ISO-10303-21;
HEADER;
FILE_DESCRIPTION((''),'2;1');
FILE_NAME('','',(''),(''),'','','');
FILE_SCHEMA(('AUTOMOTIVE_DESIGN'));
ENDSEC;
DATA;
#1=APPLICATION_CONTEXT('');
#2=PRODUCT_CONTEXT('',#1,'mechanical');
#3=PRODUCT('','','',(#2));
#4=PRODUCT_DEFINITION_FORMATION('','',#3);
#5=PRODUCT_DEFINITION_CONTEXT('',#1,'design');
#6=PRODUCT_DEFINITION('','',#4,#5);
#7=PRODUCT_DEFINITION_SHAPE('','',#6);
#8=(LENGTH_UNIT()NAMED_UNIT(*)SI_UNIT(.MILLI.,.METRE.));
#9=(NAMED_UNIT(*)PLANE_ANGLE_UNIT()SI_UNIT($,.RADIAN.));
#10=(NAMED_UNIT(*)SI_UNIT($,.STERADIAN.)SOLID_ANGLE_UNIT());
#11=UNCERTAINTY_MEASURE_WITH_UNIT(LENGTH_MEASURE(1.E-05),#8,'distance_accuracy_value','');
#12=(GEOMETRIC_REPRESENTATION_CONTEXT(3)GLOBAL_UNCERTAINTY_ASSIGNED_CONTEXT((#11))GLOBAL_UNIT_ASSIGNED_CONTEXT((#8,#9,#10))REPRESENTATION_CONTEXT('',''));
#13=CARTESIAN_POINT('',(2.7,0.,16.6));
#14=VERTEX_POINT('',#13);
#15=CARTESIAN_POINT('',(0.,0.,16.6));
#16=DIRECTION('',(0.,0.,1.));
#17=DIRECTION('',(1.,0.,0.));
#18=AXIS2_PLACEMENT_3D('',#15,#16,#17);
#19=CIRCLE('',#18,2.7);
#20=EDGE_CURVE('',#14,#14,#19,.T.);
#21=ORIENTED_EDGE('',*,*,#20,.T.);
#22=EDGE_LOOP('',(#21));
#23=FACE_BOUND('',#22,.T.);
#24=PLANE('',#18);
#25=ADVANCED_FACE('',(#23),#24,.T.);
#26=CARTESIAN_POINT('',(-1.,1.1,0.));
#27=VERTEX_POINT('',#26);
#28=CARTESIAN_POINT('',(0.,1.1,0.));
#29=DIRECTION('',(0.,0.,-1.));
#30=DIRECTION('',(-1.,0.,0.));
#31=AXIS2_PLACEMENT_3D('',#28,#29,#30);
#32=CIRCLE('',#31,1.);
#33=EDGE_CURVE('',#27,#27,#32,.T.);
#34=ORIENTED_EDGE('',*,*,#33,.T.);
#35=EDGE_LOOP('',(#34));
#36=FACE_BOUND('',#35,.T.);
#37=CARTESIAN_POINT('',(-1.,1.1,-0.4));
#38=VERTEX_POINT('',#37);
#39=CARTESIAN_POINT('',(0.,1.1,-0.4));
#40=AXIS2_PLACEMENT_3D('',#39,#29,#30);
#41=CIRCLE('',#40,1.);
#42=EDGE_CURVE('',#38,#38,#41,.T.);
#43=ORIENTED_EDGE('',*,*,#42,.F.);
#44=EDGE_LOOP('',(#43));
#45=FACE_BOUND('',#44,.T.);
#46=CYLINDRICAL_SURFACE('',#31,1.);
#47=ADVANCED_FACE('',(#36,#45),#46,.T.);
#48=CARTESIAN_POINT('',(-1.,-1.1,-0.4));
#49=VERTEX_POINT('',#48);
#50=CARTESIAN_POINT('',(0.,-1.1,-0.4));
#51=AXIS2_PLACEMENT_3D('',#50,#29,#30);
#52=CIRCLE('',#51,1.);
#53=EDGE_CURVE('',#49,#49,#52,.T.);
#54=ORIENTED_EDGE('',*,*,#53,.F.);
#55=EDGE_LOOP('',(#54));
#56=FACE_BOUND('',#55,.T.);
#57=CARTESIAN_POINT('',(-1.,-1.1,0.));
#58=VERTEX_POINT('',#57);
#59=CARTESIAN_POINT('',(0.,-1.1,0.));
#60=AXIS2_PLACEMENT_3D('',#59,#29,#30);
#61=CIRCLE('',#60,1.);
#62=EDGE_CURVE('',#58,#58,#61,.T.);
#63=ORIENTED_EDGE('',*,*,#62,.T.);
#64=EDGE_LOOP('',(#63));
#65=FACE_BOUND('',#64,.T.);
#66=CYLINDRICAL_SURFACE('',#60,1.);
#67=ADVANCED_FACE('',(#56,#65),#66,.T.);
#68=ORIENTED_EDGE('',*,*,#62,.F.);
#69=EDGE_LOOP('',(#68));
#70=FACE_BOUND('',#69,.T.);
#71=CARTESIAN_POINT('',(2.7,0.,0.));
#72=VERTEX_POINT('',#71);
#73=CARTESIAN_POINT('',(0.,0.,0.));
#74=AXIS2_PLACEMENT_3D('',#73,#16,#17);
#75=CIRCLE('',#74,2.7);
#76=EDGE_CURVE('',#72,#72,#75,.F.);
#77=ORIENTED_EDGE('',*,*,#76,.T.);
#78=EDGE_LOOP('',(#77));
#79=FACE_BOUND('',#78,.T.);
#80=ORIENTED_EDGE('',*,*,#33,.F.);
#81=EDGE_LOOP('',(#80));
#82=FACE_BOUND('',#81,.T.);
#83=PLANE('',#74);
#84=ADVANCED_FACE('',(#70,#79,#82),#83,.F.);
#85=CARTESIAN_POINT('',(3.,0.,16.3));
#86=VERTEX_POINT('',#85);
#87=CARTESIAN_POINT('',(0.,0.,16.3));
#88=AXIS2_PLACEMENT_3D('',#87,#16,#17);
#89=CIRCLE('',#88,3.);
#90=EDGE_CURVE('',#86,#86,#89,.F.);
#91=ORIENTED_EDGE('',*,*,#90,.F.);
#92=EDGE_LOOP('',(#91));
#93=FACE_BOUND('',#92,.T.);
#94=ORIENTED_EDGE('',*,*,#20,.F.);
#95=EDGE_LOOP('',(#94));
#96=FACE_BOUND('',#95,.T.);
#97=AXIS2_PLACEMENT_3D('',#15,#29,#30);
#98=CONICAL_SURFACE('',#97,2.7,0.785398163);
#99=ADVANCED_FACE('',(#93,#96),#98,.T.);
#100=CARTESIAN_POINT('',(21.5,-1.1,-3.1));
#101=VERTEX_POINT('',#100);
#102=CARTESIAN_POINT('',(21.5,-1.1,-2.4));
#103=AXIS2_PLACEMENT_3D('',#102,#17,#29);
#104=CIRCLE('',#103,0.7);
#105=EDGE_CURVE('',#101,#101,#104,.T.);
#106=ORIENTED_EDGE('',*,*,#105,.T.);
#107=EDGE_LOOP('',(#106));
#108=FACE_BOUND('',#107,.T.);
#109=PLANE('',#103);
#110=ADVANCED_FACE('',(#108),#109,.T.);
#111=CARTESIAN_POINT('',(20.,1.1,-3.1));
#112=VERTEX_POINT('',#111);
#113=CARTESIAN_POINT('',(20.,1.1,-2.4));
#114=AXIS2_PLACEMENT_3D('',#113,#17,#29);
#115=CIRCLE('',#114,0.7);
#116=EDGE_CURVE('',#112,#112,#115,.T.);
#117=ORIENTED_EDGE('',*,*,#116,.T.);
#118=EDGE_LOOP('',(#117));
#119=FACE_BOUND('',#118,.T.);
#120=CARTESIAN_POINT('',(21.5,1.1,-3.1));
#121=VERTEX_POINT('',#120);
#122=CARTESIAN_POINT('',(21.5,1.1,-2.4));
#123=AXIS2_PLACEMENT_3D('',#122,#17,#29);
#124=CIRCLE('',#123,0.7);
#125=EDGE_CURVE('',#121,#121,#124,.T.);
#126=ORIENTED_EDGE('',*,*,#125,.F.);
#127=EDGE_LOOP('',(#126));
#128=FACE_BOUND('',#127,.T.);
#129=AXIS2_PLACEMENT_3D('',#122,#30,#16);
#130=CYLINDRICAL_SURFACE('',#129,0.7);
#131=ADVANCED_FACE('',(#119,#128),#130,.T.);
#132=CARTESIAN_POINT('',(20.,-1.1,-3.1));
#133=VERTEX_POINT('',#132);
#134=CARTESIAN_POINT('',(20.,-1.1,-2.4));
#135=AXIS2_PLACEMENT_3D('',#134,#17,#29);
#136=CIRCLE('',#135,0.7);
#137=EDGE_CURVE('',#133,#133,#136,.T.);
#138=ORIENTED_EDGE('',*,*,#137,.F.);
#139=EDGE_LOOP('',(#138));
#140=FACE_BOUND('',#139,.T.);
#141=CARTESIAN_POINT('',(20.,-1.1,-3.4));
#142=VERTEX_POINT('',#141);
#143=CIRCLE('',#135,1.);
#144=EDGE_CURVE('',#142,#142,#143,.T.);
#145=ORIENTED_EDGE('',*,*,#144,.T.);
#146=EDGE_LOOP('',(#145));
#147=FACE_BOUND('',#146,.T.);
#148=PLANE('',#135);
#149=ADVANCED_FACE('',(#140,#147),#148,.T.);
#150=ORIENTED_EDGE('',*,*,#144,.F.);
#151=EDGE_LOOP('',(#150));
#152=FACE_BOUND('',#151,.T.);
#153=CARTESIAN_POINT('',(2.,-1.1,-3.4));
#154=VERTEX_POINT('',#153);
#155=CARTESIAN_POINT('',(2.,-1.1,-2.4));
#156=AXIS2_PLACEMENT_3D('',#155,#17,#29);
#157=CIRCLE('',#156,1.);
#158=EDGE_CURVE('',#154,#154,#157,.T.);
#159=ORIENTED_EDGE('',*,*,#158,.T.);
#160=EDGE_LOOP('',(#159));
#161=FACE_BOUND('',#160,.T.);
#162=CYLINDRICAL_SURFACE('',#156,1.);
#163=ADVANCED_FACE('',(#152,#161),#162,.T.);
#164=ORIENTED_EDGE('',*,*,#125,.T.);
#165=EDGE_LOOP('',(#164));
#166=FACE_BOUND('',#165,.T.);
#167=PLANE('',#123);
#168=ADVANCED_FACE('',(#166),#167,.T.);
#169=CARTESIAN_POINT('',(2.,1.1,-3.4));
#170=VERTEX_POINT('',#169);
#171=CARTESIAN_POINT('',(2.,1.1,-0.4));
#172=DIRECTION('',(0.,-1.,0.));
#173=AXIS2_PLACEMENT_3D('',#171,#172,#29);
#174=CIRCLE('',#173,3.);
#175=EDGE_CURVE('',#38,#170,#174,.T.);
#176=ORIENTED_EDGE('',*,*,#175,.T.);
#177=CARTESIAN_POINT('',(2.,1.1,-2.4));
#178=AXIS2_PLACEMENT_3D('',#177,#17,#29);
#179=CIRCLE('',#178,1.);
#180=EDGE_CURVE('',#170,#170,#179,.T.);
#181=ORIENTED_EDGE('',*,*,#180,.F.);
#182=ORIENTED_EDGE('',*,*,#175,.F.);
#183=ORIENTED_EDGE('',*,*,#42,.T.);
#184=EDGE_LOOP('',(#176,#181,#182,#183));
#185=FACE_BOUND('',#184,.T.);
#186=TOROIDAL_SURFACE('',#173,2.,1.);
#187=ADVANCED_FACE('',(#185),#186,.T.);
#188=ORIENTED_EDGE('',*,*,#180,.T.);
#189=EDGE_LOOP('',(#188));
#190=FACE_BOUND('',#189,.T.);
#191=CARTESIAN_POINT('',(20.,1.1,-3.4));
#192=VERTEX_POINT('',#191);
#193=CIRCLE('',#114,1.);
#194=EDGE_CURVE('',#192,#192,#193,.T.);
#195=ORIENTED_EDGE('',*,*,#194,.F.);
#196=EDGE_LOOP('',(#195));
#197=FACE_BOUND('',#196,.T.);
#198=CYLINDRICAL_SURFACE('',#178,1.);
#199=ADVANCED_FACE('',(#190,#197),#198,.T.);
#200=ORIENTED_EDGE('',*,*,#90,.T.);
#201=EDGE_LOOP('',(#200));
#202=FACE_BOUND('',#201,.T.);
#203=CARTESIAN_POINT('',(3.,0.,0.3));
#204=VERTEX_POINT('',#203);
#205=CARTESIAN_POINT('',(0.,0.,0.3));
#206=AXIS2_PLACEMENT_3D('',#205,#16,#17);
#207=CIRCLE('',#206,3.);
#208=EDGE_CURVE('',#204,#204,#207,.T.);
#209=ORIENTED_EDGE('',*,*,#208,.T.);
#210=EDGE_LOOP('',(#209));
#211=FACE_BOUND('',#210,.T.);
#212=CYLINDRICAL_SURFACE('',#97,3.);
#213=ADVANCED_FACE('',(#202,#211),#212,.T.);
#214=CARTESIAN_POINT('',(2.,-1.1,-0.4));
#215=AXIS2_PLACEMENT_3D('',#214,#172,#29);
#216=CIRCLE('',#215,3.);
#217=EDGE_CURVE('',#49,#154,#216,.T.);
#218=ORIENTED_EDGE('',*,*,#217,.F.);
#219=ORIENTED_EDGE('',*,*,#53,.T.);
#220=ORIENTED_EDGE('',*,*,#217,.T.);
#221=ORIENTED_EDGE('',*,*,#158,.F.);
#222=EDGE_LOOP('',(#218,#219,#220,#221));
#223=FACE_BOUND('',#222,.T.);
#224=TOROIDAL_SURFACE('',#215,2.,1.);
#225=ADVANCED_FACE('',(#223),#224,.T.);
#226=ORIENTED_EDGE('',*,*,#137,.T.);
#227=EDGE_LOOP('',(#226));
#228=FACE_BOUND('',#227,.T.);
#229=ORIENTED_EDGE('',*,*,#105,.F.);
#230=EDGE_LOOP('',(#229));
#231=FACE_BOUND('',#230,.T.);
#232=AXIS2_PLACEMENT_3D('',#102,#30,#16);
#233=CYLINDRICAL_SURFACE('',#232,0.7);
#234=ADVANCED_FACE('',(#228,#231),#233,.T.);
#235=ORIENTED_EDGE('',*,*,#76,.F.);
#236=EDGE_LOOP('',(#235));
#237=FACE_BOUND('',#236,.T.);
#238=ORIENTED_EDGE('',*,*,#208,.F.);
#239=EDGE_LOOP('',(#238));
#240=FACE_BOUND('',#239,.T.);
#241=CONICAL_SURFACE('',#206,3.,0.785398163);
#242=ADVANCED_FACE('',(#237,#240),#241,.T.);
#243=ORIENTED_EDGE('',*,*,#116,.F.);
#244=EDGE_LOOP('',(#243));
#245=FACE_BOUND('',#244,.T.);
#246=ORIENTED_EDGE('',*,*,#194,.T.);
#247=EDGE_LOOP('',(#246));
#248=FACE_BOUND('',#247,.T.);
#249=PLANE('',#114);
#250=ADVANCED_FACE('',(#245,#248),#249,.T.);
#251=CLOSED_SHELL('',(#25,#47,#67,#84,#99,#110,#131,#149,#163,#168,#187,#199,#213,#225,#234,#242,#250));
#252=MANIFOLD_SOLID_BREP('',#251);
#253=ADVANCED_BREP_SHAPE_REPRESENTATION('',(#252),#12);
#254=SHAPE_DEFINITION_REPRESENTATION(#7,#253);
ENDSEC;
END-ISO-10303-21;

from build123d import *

# Parameters (mm, degrees)
SKETCH1_R           = 3
CASING_DEPTH        = 16.6
CASING_CHAMFER_SIZE = 0.3
SKETCH3_R           = 1
SKETCH4_R           = 0.7
EXPOSED_WIRE_DEPTH  = 1.5


with BuildPart() as part:
    # Sketch1 → Casing (new body)
    with BuildSketch(Plane.XY):
        Circle(SKETCH1_R)
    extrude(amount=CASING_DEPTH)

    # Casing Chamfer
    casing_chamfer_edges = [part.edges().sort_by_distance(p)[0] for p in [
        (-3, 0, 0),
        (-3, 0, 16.6),
    ]]
    chamfer(casing_chamfer_edges, length=CASING_CHAMFER_SIZE)

    # Wire 2: sweep along a path in Sketch2
    with BuildLine(Plane(origin=(0, 0, 0), x_dir=(1, 0, 0), z_dir=(0, 1, 0))) as wire_2_path:
        Line((0, 0), (0, 0.4))
        ThreePointArc((0, 0.4), (0.585786438, 1.814213562), (2, 2.4))
        Line((2, 2.4), (20, 2.4))
    # Sketch3 → Wire 2 (sweep)
    with BuildSketch(Plane(origin=(0, 0, 0), x_dir=(-1, 0, 0), z_dir=(0, 0, -1))):
        with Locations((0, -1.1)):
            Circle(SKETCH3_R)
        with Locations((0, 1.1)):
            Circle(SKETCH3_R)
    sweep(path=wire_2_path.line)

    # Sketch4 → Exposed Wire (add)
    with BuildSketch(Plane(origin=(20, 0, 0), x_dir=(0, 0, -1), z_dir=(1, 0, 0))):
        with Locations((2.4, 1.1)):
            Circle(SKETCH4_R)
        with Locations((2.4, -1.1)):
            Circle(SKETCH4_R)
    extrude(amount=EXPOSED_WIRE_DEPTH)


solid = part.part
